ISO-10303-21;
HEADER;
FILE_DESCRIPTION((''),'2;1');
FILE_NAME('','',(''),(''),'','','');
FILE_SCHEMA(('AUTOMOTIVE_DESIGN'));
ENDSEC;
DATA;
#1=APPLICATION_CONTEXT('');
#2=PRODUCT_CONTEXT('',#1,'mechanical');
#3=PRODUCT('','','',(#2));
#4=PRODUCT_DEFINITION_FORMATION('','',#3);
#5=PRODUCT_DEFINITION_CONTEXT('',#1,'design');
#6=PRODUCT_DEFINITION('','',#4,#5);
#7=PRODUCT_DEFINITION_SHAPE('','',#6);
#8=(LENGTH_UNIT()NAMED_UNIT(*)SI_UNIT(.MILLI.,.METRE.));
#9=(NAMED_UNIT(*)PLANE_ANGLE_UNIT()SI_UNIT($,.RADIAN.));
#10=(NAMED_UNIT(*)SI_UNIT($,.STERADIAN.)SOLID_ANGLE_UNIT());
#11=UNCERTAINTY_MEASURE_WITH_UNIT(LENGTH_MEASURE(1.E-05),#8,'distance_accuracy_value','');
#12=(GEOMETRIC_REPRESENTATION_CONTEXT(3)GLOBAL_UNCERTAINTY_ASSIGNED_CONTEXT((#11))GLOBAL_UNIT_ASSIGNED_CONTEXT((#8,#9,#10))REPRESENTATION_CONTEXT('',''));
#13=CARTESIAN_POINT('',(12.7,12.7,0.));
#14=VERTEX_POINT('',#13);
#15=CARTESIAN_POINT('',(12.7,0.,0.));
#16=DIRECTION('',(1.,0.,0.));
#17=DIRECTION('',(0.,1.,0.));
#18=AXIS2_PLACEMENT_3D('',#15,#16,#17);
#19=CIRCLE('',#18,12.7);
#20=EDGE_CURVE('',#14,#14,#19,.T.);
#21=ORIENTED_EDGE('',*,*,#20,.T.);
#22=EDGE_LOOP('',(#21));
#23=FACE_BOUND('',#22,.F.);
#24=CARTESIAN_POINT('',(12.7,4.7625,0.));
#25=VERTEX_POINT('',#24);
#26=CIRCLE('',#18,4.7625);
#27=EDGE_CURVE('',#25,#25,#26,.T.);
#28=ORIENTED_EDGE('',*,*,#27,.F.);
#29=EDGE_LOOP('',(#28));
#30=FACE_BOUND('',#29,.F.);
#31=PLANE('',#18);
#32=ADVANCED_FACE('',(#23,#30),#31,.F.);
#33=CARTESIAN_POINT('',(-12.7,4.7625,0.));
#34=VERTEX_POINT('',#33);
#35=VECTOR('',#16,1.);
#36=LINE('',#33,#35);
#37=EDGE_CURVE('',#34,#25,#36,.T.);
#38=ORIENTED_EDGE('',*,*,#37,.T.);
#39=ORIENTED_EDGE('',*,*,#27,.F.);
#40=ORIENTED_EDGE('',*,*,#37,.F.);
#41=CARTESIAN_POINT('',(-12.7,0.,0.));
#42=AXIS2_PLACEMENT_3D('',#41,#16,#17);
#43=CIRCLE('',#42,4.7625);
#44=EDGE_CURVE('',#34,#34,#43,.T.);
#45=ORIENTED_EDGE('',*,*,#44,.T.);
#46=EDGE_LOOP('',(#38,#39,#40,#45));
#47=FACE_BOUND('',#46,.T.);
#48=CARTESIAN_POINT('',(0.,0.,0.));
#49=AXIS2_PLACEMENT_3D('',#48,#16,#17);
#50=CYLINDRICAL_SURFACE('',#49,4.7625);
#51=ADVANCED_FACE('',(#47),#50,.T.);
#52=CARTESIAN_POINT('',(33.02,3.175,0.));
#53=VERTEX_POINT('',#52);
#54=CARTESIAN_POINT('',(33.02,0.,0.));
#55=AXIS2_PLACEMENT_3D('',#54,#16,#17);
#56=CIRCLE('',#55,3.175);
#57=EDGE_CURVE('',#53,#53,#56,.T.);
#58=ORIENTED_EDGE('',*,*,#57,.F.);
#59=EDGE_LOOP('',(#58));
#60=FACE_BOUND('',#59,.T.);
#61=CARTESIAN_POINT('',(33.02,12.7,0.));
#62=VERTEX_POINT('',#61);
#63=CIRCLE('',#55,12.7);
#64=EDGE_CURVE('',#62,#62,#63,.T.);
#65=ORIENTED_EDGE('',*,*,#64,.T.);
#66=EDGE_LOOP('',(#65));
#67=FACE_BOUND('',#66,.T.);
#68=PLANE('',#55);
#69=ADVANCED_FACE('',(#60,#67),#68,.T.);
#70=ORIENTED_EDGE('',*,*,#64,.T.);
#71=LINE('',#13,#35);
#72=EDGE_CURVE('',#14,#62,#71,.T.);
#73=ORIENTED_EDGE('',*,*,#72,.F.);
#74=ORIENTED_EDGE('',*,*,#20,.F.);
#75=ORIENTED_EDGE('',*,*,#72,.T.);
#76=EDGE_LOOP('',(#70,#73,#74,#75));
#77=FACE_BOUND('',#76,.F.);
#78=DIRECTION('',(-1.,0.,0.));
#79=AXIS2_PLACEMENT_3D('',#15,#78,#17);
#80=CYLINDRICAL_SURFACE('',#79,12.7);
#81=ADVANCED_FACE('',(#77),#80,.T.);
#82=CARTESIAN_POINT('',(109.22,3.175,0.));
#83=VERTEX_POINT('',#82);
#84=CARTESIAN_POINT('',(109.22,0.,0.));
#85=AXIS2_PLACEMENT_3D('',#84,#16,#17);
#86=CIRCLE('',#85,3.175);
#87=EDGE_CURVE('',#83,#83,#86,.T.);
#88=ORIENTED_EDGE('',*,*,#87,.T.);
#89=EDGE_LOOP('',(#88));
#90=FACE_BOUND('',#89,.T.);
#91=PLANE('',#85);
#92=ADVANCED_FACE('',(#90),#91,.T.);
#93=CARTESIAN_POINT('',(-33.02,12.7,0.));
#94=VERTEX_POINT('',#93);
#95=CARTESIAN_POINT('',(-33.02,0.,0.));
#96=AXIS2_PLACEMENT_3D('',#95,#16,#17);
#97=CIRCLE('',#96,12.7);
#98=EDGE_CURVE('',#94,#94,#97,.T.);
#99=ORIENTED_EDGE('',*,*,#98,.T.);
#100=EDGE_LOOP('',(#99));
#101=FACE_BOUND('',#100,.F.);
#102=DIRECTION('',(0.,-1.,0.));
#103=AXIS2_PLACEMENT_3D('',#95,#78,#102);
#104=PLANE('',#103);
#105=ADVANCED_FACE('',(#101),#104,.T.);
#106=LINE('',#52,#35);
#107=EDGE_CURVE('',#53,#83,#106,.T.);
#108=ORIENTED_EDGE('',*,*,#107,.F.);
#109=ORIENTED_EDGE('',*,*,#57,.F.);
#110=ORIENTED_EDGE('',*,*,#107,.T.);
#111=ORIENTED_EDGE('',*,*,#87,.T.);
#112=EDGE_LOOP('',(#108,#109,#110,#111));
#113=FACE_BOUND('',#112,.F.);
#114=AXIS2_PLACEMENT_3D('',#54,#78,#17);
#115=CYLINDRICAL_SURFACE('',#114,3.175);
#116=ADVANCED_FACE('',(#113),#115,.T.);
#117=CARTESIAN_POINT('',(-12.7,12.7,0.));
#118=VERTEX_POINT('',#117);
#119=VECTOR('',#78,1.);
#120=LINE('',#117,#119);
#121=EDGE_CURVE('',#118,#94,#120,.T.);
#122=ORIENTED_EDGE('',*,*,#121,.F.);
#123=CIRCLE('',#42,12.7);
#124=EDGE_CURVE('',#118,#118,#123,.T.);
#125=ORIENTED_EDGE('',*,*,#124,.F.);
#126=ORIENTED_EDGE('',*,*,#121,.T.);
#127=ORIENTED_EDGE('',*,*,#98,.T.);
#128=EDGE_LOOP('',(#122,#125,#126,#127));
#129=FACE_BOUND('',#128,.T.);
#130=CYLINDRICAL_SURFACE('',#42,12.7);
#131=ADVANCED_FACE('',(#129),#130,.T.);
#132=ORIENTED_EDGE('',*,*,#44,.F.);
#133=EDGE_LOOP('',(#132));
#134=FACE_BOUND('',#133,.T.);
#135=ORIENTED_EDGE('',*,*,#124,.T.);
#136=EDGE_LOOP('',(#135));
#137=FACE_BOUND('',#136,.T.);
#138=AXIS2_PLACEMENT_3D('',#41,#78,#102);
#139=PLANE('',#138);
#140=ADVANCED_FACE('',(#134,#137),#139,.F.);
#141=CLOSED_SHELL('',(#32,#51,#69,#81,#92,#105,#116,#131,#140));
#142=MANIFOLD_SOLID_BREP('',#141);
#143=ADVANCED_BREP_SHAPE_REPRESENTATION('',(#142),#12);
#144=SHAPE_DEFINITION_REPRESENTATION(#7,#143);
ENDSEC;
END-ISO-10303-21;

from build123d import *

# Parameters (mm, degrees)
F0_R     = 4.7625
F1_DEPTH = 12.7
F2_R     = 12.7
F3_DEPTH = 20.32
F5_R     = 3.175
F6_DEPTH = 76.2


with BuildPart() as f1:
    # F0 (on Right) → F1 (new body)
    with BuildSketch(Plane.YZ):
        Circle(F0_R)
    extrude(amount=F1_DEPTH)

    # F2 (on face) → F3 (join)
    with BuildSketch(Plane.YZ.offset(12.7)):
        Circle(F2_R)
    extrude(amount=F3_DEPTH)

    # F4: F1 across plane


with BuildPart() as f1_1:
    add(f1.part)
    add(f1.part.mirror(Plane.YZ))

    # F5 (on face) → F6 (join)
    with BuildSketch(Plane.YZ.offset(33.02)):
        Circle(F5_R)
    extrude(amount=F6_DEPTH)


solid = f1_1.part
